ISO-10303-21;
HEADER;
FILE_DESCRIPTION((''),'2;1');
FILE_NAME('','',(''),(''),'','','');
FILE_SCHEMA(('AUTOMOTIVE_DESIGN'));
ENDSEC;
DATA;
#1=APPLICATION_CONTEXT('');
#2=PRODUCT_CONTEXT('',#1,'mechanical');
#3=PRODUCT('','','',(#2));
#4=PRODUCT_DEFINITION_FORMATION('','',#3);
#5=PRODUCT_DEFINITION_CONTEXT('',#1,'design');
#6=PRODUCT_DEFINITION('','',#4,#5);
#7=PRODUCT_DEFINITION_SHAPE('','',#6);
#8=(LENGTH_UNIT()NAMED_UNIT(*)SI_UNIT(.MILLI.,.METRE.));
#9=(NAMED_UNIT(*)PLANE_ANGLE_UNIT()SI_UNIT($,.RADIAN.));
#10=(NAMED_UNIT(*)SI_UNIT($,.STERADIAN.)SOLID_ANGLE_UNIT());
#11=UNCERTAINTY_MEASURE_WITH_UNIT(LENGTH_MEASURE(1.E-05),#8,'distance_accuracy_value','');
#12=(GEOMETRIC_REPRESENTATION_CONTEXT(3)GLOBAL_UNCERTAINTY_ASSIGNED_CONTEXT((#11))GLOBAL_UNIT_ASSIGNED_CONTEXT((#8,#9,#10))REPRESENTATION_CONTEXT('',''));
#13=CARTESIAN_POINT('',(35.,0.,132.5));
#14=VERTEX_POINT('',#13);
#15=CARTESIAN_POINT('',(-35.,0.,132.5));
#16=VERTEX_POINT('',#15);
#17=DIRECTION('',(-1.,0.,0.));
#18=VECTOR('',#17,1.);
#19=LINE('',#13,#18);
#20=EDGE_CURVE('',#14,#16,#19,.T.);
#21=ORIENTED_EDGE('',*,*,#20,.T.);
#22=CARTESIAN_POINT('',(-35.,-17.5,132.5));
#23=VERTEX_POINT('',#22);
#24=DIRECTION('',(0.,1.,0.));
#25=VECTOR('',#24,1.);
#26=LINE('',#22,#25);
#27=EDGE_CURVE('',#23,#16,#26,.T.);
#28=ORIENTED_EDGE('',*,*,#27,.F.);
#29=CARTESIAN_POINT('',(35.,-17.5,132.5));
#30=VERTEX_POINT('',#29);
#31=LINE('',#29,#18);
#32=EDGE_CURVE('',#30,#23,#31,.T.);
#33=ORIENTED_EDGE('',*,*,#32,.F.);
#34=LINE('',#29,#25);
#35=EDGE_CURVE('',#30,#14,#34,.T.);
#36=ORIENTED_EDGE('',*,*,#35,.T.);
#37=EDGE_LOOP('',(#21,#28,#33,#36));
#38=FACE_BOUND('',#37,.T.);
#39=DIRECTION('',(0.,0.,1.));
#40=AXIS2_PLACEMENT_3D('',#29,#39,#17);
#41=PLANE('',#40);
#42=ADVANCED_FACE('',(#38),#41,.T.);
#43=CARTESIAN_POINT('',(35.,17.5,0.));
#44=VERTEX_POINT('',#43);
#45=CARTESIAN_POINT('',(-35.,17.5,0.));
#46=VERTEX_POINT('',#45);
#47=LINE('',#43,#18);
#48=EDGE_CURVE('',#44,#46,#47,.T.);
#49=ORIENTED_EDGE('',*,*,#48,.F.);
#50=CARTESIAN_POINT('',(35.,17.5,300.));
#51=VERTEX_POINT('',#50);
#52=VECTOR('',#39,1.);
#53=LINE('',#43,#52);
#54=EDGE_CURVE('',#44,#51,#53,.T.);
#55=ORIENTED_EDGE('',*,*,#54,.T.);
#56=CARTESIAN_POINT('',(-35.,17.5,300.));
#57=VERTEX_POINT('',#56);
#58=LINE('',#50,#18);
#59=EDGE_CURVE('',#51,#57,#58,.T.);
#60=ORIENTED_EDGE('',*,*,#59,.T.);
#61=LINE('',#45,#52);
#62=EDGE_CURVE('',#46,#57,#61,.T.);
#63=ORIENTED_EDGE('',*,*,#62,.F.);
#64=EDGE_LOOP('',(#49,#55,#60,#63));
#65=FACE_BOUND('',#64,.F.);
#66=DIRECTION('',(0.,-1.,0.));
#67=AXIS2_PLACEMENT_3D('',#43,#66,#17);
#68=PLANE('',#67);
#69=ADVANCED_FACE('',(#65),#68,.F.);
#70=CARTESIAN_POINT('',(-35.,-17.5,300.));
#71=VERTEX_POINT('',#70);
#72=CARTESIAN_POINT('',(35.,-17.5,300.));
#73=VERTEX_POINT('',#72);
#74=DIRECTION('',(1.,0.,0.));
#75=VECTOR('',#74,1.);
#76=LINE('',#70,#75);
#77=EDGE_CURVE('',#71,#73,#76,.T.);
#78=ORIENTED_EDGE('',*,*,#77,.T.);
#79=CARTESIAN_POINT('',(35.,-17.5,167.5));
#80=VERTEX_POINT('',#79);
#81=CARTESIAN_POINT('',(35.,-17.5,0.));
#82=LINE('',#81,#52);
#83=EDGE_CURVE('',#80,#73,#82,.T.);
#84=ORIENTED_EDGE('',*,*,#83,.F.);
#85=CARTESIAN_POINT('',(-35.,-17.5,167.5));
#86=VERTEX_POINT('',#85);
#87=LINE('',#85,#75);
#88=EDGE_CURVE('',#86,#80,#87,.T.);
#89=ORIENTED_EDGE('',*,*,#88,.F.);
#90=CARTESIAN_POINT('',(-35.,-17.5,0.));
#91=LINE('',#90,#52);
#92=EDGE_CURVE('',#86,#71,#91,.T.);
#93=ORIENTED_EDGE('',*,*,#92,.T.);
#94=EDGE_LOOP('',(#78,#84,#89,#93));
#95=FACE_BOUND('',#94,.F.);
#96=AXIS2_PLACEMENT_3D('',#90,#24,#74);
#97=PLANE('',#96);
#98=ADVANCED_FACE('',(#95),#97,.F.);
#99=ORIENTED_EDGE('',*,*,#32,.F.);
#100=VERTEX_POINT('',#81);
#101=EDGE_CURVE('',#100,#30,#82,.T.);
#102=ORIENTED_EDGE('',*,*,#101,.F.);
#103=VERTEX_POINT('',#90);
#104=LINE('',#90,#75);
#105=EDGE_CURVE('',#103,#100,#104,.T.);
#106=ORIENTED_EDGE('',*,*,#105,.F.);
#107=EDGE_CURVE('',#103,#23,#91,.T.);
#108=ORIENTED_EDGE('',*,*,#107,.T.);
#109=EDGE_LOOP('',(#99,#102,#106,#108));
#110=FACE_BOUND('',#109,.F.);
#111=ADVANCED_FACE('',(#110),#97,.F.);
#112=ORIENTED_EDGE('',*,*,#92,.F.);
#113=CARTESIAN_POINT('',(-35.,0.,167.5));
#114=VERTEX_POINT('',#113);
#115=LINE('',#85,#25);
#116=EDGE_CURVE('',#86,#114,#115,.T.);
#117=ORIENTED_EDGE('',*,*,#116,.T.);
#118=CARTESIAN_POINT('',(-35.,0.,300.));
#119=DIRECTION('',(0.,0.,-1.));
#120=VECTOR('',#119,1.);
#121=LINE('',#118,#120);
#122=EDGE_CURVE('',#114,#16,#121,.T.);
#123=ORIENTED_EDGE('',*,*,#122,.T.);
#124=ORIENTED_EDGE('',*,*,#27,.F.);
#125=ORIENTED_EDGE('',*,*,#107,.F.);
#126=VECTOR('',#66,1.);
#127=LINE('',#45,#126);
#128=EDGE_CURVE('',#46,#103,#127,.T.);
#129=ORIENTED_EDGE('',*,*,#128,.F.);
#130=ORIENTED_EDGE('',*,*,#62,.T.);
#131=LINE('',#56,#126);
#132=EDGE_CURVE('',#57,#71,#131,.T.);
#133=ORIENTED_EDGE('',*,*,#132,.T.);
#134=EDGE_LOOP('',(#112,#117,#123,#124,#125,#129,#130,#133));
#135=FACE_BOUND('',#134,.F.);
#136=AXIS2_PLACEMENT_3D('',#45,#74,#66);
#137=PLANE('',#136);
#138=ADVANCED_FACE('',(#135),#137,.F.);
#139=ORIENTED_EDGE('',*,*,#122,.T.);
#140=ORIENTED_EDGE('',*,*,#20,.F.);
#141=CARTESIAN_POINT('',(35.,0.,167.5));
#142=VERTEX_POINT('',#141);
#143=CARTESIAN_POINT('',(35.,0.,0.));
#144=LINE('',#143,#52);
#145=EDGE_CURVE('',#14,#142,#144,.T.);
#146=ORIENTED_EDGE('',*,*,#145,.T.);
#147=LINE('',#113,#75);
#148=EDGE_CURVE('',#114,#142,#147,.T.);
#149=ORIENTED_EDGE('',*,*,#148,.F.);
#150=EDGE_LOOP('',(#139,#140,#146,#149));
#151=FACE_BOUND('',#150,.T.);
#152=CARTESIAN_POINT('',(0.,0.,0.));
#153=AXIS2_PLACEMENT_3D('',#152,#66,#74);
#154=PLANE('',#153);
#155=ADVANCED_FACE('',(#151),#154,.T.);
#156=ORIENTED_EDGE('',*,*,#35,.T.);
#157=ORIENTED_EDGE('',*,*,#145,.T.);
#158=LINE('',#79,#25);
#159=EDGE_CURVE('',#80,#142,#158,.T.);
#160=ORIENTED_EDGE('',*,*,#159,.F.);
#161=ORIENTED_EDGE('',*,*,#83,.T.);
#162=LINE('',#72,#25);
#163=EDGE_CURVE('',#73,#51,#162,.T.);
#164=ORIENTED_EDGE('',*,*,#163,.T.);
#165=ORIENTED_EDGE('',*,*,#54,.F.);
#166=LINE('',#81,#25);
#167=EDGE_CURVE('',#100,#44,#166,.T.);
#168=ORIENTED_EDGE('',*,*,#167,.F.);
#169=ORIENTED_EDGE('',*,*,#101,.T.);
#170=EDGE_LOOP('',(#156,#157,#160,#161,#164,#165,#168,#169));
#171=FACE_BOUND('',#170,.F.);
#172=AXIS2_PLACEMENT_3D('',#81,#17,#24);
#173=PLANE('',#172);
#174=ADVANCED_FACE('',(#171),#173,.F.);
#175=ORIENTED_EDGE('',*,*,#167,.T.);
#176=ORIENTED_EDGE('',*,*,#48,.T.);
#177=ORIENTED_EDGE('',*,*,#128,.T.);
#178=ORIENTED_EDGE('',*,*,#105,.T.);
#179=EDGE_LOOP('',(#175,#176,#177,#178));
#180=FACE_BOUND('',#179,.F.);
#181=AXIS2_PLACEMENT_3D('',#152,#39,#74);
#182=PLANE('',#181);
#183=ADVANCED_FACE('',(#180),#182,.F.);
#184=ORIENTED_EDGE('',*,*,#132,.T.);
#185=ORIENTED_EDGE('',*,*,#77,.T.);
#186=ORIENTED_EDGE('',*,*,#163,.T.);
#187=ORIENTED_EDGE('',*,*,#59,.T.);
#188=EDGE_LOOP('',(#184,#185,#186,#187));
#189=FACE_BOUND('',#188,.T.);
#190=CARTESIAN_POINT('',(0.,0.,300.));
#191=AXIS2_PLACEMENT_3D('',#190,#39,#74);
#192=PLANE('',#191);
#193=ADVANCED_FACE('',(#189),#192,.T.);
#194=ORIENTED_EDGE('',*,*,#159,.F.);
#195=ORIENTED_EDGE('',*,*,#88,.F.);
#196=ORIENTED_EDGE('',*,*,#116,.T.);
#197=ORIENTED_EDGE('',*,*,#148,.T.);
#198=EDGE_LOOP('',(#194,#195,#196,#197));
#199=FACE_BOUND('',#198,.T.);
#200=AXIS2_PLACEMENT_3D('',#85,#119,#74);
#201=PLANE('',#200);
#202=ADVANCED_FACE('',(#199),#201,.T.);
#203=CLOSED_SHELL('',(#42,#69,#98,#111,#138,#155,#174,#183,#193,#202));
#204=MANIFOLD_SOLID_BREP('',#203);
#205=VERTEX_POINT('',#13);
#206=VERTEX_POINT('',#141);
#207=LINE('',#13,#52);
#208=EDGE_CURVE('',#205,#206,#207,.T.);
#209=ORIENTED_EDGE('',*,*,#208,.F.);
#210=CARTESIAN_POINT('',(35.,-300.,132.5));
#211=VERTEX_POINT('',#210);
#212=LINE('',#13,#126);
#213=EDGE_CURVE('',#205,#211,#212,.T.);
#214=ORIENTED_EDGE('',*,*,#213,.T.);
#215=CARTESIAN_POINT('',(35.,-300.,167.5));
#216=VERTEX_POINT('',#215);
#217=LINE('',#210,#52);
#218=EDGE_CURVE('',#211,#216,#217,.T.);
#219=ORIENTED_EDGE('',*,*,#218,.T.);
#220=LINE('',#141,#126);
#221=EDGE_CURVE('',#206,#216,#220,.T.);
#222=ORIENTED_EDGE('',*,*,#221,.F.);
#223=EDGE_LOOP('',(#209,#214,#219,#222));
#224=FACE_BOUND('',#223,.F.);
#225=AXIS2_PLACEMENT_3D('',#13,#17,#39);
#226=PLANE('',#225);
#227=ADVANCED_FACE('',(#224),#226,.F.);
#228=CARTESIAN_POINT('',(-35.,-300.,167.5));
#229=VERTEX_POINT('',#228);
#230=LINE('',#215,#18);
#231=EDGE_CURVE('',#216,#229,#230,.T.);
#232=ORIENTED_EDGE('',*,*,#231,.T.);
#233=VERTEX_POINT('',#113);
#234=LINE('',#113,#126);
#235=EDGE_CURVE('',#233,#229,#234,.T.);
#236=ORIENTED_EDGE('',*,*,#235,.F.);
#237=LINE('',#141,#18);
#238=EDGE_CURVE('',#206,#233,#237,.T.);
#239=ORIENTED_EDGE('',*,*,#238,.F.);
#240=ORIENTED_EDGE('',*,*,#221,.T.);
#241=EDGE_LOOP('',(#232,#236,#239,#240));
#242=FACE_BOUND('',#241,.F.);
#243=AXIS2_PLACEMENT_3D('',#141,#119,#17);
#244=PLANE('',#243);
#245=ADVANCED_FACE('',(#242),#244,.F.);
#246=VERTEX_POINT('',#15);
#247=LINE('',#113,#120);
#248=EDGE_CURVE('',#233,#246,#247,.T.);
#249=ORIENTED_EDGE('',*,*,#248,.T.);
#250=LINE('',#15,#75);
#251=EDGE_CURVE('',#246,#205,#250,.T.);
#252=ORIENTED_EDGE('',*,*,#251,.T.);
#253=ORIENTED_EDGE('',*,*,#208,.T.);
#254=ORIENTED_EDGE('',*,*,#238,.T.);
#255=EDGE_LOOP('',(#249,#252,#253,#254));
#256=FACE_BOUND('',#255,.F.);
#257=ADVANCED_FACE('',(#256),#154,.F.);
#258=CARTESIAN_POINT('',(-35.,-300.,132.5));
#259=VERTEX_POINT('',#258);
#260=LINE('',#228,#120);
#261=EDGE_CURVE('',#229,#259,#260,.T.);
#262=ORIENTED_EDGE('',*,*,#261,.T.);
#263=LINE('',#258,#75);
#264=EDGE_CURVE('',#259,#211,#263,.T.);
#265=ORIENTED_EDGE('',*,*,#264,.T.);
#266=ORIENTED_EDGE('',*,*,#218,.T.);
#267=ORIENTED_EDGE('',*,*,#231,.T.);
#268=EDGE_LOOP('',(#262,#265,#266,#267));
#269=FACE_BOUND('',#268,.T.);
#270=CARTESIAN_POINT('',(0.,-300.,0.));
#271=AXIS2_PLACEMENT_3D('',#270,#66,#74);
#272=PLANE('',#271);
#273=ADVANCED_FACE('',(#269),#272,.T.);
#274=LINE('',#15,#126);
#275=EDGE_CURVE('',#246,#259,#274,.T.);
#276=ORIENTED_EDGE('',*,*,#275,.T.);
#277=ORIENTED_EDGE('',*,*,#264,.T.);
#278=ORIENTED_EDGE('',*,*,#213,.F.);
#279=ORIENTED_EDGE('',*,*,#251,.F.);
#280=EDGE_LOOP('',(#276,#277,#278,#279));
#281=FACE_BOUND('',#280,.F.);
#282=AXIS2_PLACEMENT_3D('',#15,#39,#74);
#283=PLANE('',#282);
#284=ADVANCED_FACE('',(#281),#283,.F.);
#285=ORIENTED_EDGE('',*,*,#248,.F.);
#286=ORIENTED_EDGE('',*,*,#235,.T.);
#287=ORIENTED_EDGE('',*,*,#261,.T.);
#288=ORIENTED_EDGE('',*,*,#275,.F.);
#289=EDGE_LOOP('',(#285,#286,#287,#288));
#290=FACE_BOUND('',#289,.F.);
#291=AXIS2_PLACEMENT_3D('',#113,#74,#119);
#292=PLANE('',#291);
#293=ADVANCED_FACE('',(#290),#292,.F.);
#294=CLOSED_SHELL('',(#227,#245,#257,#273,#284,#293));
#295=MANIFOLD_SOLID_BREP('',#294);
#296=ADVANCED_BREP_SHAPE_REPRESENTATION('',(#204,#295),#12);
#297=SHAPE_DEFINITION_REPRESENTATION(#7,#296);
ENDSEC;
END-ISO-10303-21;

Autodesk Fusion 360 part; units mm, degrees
sketch "Base" plane through (0, 0, 0) normal (0, 0, 1) x (1, 0, 0)
  line L0 (35, 17.5) -> (-35, 17.5)
  line L1 (-35, 17.5) -> (-35, -17.5)
  line L2 (-35, -17.5) -> (35, -17.5)
  line L3 (35, -17.5) -> (35, 17.5)
  line L4 (35, 17.5) -> (-35, -17.5) construction
  line L5 (-35, 17.5) -> (35, -17.5) construction
  dimension "d1" = 70
  dimension "d2" = 35
extrude "Extrude1" add sketch "Base" along normal blind 300 makes body 1
sketch "Cut" plane through (0, -17.5, 0) normal (0, -1, 0) x (1, 0, 0)
  line L0 (-35, 0) -> (35, 0)
  line L1 (35, 0) -> (35, 300)
  line L2 (35, 300) -> (-35, 300)
  line L3 (-35, 300) -> (-35, 0)
  line L4 (-35, 167.5) -> (35, 167.5)
  line L5 (35, 167.5) -> (35, 132.5)
  line L6 (35, 132.5) -> (-35, 132.5)
  line L7 (-35, 132.5) -> (-35, 167.5)
  dimension "d5" = 70
  dimension "d6" = 35
extrude "Extrude2" cut sketch "Cut" against normal blind 17.5 contours L1 L3 L4 L5 L6 L7 bodies 1
sketch "Horizontal Piece" plane through (0, 0, 0) normal (0, -1, 0) x (1, 0, 0)
  line L0 (-35, 132.5) -> (35, 132.5)
  line L1 (35, 132.5) -> (35, 167.5)
  line L2 (35, 167.5) -> (-35, 167.5)
  line L3 (-35, 167.5) -> (-35, 132.5)
  line L4 (-35, 167.5) -> (35, 167.5)
  line L5 (35, 167.5) -> (35, 132.5)
  line L6 (35, 132.5) -> (-35, 132.5)
  line L7 (-35, 132.5) -> (-35, 167.5)
extrude "Extrude1'" add sketch "Horizontal Piece" along normal blind 300 separate body makes body 2 in component "Horizontal Piece"
copy_body "Body->Comp1" bodies 1 removing the originals makes body 3 in component "Vertical Piece"
component "Horizontal Piece" placed x (1, 0, 0) y (0, 1, 0) z (0, 0, 1) at (0, 0, 0)
component "Vertical Piece" placed x (1, 0, 0) y (0, 1, 0) z (0, 0, 1) at (0, 0, 0)
equation "d7 = ( -35 / 2 ) * 1 mm"
